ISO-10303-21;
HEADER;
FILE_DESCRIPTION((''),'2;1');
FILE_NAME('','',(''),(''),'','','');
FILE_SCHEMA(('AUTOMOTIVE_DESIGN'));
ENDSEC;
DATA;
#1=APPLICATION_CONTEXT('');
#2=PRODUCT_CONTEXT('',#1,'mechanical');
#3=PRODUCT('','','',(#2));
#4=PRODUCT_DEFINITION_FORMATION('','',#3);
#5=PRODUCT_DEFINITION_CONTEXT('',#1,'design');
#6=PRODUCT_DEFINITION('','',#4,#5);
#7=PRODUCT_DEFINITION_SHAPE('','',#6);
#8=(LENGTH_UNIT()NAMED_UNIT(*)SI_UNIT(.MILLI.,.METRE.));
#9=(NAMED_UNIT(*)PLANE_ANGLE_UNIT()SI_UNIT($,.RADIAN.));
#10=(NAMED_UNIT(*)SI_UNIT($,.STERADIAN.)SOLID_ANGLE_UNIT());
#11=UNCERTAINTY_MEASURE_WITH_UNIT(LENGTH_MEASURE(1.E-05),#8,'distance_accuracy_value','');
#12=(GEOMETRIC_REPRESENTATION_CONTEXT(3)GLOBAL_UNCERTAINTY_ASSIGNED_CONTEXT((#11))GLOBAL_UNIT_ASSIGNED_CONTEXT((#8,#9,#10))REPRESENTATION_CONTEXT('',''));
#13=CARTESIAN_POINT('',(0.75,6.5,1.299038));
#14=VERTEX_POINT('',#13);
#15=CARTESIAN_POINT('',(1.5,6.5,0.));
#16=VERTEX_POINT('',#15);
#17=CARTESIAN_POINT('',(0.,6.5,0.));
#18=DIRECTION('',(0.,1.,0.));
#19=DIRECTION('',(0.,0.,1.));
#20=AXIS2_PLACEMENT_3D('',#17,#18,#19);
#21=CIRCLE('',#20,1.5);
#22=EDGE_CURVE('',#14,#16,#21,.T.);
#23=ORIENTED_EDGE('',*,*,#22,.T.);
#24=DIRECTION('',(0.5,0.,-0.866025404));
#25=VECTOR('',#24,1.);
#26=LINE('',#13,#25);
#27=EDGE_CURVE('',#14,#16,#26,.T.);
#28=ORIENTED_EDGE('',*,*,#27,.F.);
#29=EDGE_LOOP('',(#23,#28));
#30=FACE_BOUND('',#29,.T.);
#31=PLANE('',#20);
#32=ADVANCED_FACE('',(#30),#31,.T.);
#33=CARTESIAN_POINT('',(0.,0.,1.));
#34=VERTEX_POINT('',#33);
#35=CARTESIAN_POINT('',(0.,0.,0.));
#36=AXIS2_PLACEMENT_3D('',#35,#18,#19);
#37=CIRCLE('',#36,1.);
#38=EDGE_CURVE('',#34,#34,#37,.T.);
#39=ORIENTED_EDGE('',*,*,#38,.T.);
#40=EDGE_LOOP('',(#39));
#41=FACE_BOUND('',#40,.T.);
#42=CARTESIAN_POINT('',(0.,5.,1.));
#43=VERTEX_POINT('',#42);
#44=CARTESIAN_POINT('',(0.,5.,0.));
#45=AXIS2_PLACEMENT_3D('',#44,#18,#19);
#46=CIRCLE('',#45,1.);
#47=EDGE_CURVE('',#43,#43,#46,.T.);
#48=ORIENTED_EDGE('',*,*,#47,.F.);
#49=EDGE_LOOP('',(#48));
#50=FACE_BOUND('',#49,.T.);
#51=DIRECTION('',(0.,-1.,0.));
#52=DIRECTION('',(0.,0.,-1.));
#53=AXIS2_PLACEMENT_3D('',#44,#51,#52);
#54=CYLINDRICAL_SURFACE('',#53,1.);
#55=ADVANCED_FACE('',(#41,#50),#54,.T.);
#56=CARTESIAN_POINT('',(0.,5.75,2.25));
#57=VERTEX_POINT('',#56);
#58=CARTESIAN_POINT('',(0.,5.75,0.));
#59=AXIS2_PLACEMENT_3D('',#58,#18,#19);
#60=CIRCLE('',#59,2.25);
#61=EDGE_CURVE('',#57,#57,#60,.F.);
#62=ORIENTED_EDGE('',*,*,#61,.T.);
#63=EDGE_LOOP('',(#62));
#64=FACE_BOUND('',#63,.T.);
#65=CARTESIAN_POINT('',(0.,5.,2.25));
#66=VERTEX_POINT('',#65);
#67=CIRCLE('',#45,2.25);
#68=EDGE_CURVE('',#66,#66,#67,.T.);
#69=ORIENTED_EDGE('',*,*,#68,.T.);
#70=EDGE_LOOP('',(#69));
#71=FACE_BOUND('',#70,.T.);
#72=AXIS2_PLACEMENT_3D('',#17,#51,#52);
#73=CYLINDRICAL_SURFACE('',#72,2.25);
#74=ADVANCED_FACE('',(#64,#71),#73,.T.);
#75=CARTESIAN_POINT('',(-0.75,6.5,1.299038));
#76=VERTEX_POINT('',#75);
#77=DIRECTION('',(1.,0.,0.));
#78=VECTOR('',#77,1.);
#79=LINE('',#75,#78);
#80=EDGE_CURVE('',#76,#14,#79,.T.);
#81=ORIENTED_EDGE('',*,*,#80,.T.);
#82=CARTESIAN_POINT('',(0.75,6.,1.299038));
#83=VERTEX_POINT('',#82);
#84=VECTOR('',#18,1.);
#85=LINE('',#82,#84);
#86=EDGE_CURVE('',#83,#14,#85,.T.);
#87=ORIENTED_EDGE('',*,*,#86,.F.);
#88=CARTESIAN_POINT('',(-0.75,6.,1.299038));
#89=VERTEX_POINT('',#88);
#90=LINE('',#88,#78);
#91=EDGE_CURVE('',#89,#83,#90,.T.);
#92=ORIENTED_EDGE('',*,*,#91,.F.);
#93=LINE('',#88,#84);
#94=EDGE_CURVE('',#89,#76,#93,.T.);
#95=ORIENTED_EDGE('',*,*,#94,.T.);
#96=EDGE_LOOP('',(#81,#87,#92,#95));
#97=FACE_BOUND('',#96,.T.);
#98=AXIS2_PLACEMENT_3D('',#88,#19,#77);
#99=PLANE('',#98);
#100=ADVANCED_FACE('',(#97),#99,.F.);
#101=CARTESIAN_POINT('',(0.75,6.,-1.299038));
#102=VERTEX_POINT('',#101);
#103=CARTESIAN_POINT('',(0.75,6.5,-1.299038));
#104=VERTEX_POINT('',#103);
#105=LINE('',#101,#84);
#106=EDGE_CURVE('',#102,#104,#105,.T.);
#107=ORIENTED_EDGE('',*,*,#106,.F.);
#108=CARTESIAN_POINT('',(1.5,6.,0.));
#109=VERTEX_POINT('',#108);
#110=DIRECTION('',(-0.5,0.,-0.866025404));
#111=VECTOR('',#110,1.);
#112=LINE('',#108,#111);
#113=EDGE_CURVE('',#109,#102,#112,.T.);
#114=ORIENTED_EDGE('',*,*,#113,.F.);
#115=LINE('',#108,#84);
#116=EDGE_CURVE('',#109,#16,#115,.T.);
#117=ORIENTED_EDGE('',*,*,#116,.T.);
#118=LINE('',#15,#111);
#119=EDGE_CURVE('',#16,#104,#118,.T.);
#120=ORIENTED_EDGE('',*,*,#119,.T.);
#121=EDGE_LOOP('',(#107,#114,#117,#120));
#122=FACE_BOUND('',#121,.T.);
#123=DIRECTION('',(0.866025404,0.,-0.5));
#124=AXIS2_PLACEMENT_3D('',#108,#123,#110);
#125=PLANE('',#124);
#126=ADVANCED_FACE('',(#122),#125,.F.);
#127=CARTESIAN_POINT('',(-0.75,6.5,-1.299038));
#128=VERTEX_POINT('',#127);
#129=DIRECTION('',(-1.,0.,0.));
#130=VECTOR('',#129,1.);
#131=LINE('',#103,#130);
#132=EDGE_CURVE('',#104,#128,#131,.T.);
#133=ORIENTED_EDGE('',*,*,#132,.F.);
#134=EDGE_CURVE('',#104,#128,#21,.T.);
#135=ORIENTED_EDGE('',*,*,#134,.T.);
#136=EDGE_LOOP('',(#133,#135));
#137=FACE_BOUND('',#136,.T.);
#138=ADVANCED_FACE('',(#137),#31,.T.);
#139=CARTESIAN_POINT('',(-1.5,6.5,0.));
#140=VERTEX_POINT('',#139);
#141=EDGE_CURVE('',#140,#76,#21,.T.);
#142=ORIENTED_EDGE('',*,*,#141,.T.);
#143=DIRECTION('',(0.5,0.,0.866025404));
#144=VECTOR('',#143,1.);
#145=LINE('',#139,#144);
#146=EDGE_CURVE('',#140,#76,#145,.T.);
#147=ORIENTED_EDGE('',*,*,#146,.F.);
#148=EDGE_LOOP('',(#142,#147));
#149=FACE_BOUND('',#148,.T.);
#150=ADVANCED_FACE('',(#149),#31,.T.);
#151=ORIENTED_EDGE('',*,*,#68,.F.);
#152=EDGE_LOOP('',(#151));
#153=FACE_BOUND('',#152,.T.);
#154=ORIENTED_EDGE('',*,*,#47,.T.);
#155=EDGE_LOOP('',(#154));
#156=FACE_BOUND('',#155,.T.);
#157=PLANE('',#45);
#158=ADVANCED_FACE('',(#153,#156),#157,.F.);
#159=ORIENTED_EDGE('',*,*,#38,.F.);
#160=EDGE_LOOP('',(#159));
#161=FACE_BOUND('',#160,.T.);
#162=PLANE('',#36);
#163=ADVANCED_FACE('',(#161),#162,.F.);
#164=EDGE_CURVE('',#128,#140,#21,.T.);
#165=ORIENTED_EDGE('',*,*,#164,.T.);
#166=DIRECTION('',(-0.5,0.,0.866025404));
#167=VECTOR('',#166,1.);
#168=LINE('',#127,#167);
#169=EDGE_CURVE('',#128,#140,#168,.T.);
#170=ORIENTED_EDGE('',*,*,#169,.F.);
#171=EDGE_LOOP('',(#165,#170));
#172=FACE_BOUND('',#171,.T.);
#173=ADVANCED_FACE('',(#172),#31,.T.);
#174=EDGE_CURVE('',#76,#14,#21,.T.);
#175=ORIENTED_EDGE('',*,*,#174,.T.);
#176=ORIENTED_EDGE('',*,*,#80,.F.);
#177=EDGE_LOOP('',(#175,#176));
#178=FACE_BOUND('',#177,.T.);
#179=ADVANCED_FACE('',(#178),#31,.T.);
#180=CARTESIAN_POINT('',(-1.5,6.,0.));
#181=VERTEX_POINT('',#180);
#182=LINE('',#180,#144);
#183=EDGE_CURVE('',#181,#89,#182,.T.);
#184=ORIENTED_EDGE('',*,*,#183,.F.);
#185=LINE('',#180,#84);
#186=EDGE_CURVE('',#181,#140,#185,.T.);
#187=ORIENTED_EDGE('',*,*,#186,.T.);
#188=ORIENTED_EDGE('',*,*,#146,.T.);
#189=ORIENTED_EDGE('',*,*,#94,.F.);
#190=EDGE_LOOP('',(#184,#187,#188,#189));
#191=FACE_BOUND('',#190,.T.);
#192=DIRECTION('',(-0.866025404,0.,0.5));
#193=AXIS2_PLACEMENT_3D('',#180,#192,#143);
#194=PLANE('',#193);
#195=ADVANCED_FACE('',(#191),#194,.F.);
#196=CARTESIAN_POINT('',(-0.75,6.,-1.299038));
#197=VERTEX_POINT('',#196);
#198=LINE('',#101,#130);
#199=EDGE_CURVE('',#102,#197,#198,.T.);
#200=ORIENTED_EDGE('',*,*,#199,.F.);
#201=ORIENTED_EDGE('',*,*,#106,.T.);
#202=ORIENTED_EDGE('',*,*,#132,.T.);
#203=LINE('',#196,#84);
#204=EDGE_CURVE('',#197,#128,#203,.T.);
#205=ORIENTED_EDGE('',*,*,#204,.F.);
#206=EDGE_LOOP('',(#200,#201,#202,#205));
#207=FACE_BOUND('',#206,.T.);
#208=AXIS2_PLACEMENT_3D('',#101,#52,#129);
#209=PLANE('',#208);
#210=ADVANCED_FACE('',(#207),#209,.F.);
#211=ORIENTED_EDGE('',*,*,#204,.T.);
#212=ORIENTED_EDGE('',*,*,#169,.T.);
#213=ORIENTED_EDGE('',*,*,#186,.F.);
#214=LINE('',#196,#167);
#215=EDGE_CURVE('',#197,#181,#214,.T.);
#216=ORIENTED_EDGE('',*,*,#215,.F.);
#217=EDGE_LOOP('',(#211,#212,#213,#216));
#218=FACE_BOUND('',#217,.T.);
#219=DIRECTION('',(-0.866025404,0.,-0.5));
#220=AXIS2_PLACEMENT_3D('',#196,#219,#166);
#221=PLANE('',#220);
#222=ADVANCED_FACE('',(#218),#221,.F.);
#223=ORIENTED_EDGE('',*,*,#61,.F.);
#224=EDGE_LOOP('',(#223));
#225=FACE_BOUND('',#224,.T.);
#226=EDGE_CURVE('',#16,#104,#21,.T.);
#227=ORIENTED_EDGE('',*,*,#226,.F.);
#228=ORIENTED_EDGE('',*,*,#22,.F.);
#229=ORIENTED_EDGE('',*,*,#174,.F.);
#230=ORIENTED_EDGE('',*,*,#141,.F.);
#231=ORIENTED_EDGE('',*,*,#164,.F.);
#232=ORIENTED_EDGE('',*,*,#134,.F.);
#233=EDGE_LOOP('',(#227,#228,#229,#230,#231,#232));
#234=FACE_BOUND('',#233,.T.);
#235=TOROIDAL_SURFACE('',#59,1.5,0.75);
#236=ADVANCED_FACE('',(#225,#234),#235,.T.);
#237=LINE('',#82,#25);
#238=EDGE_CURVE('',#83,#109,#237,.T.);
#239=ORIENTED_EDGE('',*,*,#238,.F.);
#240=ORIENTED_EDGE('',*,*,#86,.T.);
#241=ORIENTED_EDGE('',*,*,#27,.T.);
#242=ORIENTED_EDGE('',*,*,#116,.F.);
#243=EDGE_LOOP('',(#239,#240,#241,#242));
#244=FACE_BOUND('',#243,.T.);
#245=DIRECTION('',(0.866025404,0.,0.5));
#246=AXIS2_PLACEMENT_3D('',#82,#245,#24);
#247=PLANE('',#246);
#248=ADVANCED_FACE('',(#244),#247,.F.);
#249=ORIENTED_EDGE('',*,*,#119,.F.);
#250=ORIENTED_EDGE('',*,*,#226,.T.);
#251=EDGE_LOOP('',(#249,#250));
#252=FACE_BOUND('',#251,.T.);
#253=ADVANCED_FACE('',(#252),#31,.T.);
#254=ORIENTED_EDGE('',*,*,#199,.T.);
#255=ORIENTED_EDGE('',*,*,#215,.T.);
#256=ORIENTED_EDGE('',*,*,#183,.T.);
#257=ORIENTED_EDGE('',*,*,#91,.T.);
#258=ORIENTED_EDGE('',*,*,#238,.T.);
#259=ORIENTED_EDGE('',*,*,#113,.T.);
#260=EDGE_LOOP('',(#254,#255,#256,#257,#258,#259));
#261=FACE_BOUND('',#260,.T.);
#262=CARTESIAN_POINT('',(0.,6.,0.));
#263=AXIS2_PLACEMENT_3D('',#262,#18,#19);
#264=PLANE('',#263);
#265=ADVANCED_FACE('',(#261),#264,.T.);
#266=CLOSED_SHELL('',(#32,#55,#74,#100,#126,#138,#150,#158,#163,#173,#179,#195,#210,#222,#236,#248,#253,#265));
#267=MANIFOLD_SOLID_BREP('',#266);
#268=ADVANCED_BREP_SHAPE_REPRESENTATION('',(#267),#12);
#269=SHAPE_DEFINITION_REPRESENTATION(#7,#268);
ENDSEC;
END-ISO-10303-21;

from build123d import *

# Parameters (mm, degrees)
SKETCH1_R           = 1
BOSS_EXTRUDE1_DEPTH = 5
SKETCH2_R           = 2.25
BOSS_EXTRUDE2_DEPTH = 1.5
FILLET1_R           = 0.75
CUT_EXTRUDE1_DEPTH  = 0.5


with BuildPart() as part:
    # Sketch1 → Boss-Extrude1 (new body)
    with BuildSketch(Plane(origin=(0, 0, 0), x_dir=(1, 0, 0), z_dir=(0, 1, 0))):
        with Locations(Location((0, 0, 0), (0, 0, 270))):
            Circle(SKETCH1_R)
    extrude(amount=BOSS_EXTRUDE1_DEPTH)

    # Sketch2 → Boss-Extrude2 (add)
    with BuildSketch(Plane(origin=(0, 5, 0), x_dir=(1, 0, 0), z_dir=(0, 1, 0))):
        with Locations(Location((0, 0, 0), (0, 0, 270))):
            Circle(SKETCH2_R)
    extrude(amount=BOSS_EXTRUDE2_DEPTH)

    # Fillet1
    fillet1_edges = [part.edges().sort_by_distance(p)[0] for p in [
        (0, 6.5, -2.25),
    ]]
    fillet(fillet1_edges, radius=FILLET1_R)

    # Sketch3 → Cut-Extrude1 (cut)
    with BuildSketch(Plane(origin=(0, 6.5, 0), x_dir=(1, 0, 0), z_dir=(0, 1, 0))):
        Polygon((1.5, 0), (0.75, 1.299038106), (-0.75, 1.299038106), (-1.5, 0), (-0.75, -1.299038106), (0.75, -1.299038106), align=None)
    extrude(amount=-CUT_EXTRUDE1_DEPTH, mode=Mode.SUBTRACT)


solid = part.part
